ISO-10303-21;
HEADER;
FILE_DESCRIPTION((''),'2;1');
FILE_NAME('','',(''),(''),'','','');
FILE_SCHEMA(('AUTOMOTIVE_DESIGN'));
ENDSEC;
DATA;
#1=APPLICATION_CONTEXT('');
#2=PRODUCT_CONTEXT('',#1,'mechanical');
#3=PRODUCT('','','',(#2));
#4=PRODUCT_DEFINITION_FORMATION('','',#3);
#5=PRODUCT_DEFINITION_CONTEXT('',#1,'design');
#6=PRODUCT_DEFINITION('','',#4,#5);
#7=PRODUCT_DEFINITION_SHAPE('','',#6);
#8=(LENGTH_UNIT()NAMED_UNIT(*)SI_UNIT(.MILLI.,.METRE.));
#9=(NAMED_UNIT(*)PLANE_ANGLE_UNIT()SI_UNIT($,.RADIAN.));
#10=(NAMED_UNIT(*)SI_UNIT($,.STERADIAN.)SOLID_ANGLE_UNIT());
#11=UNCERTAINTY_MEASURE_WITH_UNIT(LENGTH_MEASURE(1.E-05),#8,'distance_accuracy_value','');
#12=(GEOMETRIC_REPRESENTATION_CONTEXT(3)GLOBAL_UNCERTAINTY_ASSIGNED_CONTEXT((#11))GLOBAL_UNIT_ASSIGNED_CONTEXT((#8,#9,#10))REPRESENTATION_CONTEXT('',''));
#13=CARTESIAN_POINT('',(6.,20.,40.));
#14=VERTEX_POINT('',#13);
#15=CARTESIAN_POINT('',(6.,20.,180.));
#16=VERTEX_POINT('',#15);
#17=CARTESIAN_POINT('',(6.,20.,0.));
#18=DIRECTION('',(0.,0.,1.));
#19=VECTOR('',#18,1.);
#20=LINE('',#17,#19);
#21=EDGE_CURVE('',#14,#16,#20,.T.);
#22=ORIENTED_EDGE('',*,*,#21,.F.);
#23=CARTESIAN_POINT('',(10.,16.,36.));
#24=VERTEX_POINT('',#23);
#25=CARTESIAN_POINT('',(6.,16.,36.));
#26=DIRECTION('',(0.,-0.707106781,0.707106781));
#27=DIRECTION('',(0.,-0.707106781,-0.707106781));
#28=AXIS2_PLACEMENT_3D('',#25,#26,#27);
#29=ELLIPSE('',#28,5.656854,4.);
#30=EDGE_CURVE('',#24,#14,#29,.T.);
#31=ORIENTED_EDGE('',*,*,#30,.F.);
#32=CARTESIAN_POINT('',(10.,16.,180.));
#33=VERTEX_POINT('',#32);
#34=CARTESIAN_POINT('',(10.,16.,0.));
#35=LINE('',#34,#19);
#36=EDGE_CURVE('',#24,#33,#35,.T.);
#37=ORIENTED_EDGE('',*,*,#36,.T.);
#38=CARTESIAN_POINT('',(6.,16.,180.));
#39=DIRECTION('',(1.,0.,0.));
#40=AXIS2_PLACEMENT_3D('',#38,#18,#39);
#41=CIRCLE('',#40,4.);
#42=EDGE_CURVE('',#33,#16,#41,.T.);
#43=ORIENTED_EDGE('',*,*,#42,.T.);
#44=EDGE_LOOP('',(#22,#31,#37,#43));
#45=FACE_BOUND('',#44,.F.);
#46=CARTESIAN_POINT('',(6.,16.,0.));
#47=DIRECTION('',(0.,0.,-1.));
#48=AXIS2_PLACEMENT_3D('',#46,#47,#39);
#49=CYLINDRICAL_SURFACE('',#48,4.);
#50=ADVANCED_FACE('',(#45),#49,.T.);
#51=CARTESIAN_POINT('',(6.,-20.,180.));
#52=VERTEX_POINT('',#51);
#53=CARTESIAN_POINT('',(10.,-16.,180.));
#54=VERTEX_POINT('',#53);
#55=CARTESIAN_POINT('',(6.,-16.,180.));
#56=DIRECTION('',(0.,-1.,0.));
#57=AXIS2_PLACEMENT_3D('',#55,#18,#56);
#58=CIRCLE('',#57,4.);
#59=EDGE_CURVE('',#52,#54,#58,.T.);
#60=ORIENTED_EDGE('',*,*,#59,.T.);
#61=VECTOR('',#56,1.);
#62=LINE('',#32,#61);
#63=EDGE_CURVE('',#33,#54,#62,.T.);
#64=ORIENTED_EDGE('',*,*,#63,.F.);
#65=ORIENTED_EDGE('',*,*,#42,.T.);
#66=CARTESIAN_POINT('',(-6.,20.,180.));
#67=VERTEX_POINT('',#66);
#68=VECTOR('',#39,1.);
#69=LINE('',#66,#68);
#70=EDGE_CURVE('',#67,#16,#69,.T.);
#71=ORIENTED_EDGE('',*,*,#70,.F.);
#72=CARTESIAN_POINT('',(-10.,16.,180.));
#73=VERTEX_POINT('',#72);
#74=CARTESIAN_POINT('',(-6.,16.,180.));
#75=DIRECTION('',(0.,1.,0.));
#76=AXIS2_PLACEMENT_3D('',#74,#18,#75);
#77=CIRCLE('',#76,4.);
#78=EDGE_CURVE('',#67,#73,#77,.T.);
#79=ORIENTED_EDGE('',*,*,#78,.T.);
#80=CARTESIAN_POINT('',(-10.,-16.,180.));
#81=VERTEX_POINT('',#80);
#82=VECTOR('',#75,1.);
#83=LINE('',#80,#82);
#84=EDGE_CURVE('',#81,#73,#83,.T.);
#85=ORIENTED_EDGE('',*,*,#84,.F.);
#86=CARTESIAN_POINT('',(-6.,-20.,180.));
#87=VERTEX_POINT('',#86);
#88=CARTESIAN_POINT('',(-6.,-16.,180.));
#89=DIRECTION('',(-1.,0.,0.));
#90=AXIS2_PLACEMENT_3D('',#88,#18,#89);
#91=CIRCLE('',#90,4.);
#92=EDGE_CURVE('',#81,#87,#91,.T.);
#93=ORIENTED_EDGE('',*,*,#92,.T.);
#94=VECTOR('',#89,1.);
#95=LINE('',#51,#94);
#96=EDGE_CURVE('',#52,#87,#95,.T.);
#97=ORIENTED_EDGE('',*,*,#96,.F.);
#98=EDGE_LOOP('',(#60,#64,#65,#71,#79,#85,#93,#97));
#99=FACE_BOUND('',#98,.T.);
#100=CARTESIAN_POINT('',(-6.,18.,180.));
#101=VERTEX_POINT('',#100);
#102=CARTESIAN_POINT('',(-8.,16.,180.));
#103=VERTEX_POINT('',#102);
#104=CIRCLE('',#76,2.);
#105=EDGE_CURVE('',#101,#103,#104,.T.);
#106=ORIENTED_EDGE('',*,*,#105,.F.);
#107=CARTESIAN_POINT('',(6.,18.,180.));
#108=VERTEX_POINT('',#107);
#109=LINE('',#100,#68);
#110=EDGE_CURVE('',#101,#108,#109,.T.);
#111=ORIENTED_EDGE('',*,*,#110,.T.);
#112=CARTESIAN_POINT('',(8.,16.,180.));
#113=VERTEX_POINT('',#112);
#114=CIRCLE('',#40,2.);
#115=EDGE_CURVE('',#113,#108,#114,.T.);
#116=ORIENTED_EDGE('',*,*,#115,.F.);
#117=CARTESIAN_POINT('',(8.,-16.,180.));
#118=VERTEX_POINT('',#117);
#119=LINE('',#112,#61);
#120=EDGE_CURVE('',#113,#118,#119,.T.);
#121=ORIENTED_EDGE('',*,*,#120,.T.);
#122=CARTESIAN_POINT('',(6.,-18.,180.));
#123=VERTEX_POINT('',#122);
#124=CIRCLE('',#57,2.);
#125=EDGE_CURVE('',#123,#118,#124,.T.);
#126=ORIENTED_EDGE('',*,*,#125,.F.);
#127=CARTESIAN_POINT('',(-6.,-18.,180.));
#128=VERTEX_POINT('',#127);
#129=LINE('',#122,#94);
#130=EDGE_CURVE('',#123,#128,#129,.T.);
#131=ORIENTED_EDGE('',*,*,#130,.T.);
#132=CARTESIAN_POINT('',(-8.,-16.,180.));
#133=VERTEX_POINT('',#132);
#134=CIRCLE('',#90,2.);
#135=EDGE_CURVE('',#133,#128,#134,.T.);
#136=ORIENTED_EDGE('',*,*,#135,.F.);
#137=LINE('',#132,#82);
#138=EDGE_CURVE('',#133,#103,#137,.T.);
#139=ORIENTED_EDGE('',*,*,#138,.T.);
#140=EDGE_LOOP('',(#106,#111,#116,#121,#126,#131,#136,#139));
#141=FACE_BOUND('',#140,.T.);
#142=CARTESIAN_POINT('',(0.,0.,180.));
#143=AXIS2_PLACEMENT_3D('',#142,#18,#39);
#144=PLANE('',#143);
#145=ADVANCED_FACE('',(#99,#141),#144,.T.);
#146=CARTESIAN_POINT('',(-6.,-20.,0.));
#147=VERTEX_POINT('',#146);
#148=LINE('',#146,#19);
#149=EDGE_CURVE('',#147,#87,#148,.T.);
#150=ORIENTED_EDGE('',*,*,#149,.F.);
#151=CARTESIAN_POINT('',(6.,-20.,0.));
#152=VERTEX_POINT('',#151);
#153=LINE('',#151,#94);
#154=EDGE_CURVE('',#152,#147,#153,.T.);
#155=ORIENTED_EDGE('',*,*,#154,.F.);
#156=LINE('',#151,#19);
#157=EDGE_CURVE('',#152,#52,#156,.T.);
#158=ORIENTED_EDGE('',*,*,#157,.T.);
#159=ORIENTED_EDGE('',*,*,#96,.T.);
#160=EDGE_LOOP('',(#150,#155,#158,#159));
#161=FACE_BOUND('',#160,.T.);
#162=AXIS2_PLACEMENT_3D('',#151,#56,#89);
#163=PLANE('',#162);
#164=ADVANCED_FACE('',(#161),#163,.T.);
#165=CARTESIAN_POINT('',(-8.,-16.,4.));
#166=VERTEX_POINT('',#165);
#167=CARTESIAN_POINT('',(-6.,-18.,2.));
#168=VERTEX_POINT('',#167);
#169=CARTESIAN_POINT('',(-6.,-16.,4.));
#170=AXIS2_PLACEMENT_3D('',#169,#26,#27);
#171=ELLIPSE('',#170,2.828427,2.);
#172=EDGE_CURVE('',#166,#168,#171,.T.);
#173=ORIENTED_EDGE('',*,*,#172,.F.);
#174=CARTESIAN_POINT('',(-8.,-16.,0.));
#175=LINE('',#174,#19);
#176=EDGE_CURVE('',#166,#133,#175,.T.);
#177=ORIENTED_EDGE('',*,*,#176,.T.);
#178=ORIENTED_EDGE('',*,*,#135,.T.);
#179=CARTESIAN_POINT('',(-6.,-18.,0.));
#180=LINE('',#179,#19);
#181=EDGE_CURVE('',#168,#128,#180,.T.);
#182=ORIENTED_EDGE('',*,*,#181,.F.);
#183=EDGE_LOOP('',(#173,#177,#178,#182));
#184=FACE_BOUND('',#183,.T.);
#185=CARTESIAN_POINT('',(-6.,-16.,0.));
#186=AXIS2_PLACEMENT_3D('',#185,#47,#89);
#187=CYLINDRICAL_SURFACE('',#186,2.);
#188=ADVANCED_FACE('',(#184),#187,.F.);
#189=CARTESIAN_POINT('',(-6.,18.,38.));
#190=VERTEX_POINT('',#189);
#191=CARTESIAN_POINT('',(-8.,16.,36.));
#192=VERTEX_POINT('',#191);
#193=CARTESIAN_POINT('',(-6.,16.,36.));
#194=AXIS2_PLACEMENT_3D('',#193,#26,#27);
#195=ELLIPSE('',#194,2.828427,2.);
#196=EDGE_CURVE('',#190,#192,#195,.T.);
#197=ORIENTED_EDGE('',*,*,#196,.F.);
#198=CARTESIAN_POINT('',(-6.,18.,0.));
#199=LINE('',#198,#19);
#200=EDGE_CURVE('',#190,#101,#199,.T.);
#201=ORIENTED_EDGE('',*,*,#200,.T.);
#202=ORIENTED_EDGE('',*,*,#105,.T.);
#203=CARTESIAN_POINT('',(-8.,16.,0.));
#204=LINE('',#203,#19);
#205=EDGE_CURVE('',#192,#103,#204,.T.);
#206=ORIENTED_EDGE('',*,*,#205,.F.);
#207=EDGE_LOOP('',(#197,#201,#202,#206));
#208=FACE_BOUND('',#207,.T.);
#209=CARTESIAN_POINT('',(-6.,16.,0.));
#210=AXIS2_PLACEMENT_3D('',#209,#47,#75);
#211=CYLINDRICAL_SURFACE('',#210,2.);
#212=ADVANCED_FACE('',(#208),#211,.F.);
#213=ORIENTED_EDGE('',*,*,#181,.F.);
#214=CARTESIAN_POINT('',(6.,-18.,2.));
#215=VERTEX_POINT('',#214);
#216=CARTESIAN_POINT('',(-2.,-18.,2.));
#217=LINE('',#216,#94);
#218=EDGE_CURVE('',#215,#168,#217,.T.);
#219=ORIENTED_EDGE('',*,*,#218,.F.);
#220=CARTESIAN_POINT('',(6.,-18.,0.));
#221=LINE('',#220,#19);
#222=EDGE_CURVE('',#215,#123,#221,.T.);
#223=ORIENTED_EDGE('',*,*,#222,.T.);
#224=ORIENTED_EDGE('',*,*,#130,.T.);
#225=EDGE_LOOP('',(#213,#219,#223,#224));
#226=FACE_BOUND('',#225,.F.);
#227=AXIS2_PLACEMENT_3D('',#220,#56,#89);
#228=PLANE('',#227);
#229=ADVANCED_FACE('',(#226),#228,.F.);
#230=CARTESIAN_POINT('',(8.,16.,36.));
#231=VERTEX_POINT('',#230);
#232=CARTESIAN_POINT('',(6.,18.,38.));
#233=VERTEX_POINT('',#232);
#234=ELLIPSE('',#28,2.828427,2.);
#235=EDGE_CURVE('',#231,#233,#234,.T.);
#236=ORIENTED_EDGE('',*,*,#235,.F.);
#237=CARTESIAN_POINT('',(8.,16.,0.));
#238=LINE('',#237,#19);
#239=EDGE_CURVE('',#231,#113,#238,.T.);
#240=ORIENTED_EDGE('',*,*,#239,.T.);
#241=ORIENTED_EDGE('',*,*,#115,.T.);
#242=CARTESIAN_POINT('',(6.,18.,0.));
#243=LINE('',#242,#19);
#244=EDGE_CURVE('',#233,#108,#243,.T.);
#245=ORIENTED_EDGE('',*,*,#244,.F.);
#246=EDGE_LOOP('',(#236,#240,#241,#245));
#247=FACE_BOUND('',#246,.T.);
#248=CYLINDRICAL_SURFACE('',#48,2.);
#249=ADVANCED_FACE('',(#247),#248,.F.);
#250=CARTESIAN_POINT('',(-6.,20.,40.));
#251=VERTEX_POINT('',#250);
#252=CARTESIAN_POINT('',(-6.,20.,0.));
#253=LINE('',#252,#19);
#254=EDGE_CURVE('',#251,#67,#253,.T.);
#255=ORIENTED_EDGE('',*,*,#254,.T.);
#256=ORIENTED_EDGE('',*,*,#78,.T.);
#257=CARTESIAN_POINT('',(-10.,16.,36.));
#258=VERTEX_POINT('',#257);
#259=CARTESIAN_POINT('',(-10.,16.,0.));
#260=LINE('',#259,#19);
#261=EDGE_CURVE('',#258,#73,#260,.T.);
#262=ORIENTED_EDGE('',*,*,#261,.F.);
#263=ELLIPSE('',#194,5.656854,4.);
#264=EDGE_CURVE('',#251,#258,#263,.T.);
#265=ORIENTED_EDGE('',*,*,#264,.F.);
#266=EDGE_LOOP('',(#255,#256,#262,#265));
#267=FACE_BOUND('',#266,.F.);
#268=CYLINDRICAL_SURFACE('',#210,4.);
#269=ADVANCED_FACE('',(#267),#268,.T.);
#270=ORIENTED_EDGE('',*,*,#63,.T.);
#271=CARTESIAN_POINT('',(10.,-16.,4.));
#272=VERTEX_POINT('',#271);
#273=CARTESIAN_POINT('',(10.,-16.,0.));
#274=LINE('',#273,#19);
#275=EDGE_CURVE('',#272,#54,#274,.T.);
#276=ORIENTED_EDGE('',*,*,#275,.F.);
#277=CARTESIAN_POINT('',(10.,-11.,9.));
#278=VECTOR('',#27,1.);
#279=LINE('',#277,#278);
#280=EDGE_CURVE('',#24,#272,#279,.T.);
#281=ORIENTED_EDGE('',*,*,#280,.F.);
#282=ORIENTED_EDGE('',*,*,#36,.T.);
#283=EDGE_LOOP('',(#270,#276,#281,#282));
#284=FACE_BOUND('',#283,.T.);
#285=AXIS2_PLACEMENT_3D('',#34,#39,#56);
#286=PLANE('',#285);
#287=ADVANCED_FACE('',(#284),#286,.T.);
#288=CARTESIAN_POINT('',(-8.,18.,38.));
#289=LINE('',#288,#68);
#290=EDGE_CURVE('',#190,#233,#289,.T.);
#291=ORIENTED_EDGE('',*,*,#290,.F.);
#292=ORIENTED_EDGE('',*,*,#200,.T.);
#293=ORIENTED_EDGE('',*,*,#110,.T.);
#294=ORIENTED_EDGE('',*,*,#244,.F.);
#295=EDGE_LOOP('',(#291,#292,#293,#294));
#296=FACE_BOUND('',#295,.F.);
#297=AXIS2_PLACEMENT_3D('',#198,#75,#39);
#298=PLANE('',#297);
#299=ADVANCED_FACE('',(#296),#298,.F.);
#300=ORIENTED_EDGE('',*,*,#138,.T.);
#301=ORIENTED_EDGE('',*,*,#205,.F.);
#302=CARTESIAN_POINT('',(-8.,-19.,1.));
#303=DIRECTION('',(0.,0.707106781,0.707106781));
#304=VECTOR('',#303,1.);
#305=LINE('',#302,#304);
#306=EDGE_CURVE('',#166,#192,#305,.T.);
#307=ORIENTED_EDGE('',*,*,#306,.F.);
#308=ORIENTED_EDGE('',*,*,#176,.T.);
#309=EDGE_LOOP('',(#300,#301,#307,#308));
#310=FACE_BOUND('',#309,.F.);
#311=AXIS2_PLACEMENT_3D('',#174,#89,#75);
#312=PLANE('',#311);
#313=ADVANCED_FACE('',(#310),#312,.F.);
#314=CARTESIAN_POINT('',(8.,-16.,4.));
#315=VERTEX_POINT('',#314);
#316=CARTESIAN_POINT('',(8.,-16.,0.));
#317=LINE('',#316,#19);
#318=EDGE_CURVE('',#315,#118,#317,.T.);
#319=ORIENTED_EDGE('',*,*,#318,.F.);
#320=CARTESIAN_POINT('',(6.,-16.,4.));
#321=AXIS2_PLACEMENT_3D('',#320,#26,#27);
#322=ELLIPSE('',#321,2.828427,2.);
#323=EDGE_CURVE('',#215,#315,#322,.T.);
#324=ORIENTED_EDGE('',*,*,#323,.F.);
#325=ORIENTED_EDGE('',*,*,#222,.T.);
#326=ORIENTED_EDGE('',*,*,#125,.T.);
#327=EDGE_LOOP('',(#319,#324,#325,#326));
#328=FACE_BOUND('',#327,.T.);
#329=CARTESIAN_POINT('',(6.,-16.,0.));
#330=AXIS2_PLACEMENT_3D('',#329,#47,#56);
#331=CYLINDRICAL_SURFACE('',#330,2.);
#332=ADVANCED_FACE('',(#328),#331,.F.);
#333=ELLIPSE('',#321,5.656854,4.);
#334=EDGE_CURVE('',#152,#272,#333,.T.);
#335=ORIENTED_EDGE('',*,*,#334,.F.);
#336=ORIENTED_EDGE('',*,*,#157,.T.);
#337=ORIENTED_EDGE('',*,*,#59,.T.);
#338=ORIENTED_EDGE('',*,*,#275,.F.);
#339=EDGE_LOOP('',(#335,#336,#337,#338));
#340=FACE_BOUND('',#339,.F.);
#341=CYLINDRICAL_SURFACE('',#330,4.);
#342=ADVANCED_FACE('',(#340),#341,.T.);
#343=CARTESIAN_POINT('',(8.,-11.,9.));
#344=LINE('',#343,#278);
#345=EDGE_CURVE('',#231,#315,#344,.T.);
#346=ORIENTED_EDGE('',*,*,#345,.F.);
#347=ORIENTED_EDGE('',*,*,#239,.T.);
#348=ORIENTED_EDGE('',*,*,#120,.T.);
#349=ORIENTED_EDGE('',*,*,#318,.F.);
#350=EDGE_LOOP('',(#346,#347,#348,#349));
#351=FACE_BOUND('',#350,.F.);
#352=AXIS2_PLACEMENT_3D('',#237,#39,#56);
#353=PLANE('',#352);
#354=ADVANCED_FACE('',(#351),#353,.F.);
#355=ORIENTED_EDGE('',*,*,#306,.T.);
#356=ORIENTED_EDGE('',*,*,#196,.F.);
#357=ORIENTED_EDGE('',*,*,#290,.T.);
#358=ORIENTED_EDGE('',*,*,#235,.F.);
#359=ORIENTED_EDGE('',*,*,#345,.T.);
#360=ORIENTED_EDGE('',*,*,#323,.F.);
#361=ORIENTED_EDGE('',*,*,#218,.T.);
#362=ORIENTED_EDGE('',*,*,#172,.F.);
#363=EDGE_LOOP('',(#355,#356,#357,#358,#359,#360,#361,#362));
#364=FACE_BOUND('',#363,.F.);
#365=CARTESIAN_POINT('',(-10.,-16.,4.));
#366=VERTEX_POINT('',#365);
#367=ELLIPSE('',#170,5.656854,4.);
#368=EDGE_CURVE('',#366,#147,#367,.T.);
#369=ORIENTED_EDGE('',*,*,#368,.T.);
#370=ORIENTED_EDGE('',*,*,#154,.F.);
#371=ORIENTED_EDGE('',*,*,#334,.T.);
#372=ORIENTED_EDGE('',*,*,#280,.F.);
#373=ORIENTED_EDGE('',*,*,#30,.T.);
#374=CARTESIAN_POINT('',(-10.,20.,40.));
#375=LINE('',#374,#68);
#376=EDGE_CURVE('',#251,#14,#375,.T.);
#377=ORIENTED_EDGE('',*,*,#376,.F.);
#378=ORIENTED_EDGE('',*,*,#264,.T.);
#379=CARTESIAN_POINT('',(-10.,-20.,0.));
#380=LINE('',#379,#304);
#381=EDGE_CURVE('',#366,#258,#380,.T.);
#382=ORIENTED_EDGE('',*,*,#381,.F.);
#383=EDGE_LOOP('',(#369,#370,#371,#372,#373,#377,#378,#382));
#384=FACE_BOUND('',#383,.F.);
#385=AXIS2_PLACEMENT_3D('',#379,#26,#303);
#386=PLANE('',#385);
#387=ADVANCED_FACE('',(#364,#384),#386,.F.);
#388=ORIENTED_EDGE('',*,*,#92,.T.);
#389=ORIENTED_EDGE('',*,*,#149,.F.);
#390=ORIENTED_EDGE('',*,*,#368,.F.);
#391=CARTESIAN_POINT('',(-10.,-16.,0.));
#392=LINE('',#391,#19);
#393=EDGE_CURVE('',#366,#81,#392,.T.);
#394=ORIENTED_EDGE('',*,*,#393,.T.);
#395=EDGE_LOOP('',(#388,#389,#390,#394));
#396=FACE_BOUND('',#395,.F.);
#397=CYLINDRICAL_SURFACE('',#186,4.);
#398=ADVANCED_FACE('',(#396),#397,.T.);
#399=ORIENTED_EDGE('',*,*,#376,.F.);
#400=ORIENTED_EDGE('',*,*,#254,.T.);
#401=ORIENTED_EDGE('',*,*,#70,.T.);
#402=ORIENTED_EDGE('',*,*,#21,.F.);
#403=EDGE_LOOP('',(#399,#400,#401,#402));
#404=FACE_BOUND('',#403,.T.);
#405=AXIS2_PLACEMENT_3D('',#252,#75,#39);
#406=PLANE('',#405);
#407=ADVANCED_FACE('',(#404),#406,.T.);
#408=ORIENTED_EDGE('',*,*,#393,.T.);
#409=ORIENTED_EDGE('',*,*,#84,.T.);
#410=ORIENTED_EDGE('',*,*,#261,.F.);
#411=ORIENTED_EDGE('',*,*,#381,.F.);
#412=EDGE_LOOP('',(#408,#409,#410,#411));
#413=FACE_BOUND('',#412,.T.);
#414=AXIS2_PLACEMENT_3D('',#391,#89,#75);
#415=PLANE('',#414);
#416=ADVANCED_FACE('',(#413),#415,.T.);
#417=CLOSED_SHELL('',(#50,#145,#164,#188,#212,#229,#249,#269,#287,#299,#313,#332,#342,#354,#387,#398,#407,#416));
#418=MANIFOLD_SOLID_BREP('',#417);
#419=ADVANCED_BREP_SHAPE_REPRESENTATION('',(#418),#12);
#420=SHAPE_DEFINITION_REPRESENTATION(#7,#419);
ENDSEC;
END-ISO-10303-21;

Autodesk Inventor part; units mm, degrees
ref_plane "YZ Plane" through (0, 0, 0) normal (1, 0, 0) x (0, 1, 0)
ref_plane "Start plane" through (0, 0, 0) normal (0, 0, 1) x (1, 0, 0)
ref_plane "End plane" through (0, 0, 180) normal (0, 0, 1) x (1, 0, 0)
sketch "Sketch" plane through (0, 0, 0) normal (0, 0, 1) x (1, 0, 0)
  line L0 (-10, -16) -> (-10, 16)
  line L1 (-6, 20) -> (6, 20)
  line L2 (10, 16) -> (10, -16)
  line L3 (6, -20) -> (-6, -20)
  arc A0 (-10, -16) -> (-6, -20) centre (-6, -16) ccw
  arc A1 (10, 16) -> (6, 20) centre (6, 16) ccw
  arc A2 (-6, 20) -> (-10, 16) centre (-6, 16) ccw
  arc A3 (6, -20) -> (10, -16) centre (6, -16) ccw
  arc A4 (-6, 18) -> (-8, 16) centre (-6, 16) ccw
  line L4 (-6, 18) -> (6, 18)
  arc A5 (8, 16) -> (6, 18) centre (6, 16) ccw
  line L5 (8, 16) -> (8, -16)
  arc A6 (6, -18) -> (8, -16) centre (6, -16) ccw
  line L6 (6, -18) -> (-6, -18)
  arc A7 (-8, -16) -> (-6, -18) centre (-6, -16) ccw
  line L7 (-8, -16) -> (-8, 16)
  line L8 (0, 37.1021) -> (0, -37.1021) construction
  line L9 (-23.1021, 0) -> (23.1021, 0) construction
  dimension "d7" = 4
  dimension "d9" = 20
  dimension "d11" = 40
  dimension "d12" = 2
  dimension "d15" = 10
  dimension "d16" = 20
extrude "Body" add sketch "Sketch" along normal up to surface (180 mm away) from surface at 0
sketch "Sketch3" plane through (0, 0, 0) normal (0, 0, 1) x (1, 0, 0)
  line L0 (0, 0) -> (10, 0)
ref_plane "Work Plane3" through (0, 0, 0) normal (0, -1, 0) x (1, 0, 0)
sketch "Sketch5" plane through (-10, 16, 0) normal (-1, 0, 0) x (0, 0, 1)
  line L0 (0, -32) -> (0, -36) projected
  line L1 (0, -36) -> (40, 4)
  line L2 (0, 4) -> (180, 4) projected
  line L3 (0, -32) -> (0, 0) projected
  line L4 (0, 4) -> (0, 0) projected
  point P0 (0, -16)
  dimension "d19" = 45
extrude "Extrusion2" cut sketch "Sketch5" against normal through all
sketch "Sketch4" plane through (0, 0, 0) normal (0, -1, 0) x (1, 0, 0)
  line L0 (-2, 0) -> (12, 0) projected
  line L1 (-2, 180) -> (12, 180) projected
  dimension "d18" = 180
equation "\"d7\" = G_IR"
equation "\"d9\" = G_W"
equation "\"d11\" = G_H"
equation "\"d12\" = G_T"
equation "\"d15\" = 0.5 * d9"
equation "\"d16\" = 0.5 * d11"
equation "\"d3\" = G_L"
equation "\"G_W\" = 20"
equation "\"G_H\" = 40"
equation "\"G_T\" = 2"
equation "\"G_IR\" = 4"
equation "\"G_L\" = d18"
equation "\"G_OFFSET_START\" = 0"
equation "\"G_OFFSET_END\" = 0"
properties part number "ISO 4019 - 40x20x2 - 180" material "Steel, Mild"
